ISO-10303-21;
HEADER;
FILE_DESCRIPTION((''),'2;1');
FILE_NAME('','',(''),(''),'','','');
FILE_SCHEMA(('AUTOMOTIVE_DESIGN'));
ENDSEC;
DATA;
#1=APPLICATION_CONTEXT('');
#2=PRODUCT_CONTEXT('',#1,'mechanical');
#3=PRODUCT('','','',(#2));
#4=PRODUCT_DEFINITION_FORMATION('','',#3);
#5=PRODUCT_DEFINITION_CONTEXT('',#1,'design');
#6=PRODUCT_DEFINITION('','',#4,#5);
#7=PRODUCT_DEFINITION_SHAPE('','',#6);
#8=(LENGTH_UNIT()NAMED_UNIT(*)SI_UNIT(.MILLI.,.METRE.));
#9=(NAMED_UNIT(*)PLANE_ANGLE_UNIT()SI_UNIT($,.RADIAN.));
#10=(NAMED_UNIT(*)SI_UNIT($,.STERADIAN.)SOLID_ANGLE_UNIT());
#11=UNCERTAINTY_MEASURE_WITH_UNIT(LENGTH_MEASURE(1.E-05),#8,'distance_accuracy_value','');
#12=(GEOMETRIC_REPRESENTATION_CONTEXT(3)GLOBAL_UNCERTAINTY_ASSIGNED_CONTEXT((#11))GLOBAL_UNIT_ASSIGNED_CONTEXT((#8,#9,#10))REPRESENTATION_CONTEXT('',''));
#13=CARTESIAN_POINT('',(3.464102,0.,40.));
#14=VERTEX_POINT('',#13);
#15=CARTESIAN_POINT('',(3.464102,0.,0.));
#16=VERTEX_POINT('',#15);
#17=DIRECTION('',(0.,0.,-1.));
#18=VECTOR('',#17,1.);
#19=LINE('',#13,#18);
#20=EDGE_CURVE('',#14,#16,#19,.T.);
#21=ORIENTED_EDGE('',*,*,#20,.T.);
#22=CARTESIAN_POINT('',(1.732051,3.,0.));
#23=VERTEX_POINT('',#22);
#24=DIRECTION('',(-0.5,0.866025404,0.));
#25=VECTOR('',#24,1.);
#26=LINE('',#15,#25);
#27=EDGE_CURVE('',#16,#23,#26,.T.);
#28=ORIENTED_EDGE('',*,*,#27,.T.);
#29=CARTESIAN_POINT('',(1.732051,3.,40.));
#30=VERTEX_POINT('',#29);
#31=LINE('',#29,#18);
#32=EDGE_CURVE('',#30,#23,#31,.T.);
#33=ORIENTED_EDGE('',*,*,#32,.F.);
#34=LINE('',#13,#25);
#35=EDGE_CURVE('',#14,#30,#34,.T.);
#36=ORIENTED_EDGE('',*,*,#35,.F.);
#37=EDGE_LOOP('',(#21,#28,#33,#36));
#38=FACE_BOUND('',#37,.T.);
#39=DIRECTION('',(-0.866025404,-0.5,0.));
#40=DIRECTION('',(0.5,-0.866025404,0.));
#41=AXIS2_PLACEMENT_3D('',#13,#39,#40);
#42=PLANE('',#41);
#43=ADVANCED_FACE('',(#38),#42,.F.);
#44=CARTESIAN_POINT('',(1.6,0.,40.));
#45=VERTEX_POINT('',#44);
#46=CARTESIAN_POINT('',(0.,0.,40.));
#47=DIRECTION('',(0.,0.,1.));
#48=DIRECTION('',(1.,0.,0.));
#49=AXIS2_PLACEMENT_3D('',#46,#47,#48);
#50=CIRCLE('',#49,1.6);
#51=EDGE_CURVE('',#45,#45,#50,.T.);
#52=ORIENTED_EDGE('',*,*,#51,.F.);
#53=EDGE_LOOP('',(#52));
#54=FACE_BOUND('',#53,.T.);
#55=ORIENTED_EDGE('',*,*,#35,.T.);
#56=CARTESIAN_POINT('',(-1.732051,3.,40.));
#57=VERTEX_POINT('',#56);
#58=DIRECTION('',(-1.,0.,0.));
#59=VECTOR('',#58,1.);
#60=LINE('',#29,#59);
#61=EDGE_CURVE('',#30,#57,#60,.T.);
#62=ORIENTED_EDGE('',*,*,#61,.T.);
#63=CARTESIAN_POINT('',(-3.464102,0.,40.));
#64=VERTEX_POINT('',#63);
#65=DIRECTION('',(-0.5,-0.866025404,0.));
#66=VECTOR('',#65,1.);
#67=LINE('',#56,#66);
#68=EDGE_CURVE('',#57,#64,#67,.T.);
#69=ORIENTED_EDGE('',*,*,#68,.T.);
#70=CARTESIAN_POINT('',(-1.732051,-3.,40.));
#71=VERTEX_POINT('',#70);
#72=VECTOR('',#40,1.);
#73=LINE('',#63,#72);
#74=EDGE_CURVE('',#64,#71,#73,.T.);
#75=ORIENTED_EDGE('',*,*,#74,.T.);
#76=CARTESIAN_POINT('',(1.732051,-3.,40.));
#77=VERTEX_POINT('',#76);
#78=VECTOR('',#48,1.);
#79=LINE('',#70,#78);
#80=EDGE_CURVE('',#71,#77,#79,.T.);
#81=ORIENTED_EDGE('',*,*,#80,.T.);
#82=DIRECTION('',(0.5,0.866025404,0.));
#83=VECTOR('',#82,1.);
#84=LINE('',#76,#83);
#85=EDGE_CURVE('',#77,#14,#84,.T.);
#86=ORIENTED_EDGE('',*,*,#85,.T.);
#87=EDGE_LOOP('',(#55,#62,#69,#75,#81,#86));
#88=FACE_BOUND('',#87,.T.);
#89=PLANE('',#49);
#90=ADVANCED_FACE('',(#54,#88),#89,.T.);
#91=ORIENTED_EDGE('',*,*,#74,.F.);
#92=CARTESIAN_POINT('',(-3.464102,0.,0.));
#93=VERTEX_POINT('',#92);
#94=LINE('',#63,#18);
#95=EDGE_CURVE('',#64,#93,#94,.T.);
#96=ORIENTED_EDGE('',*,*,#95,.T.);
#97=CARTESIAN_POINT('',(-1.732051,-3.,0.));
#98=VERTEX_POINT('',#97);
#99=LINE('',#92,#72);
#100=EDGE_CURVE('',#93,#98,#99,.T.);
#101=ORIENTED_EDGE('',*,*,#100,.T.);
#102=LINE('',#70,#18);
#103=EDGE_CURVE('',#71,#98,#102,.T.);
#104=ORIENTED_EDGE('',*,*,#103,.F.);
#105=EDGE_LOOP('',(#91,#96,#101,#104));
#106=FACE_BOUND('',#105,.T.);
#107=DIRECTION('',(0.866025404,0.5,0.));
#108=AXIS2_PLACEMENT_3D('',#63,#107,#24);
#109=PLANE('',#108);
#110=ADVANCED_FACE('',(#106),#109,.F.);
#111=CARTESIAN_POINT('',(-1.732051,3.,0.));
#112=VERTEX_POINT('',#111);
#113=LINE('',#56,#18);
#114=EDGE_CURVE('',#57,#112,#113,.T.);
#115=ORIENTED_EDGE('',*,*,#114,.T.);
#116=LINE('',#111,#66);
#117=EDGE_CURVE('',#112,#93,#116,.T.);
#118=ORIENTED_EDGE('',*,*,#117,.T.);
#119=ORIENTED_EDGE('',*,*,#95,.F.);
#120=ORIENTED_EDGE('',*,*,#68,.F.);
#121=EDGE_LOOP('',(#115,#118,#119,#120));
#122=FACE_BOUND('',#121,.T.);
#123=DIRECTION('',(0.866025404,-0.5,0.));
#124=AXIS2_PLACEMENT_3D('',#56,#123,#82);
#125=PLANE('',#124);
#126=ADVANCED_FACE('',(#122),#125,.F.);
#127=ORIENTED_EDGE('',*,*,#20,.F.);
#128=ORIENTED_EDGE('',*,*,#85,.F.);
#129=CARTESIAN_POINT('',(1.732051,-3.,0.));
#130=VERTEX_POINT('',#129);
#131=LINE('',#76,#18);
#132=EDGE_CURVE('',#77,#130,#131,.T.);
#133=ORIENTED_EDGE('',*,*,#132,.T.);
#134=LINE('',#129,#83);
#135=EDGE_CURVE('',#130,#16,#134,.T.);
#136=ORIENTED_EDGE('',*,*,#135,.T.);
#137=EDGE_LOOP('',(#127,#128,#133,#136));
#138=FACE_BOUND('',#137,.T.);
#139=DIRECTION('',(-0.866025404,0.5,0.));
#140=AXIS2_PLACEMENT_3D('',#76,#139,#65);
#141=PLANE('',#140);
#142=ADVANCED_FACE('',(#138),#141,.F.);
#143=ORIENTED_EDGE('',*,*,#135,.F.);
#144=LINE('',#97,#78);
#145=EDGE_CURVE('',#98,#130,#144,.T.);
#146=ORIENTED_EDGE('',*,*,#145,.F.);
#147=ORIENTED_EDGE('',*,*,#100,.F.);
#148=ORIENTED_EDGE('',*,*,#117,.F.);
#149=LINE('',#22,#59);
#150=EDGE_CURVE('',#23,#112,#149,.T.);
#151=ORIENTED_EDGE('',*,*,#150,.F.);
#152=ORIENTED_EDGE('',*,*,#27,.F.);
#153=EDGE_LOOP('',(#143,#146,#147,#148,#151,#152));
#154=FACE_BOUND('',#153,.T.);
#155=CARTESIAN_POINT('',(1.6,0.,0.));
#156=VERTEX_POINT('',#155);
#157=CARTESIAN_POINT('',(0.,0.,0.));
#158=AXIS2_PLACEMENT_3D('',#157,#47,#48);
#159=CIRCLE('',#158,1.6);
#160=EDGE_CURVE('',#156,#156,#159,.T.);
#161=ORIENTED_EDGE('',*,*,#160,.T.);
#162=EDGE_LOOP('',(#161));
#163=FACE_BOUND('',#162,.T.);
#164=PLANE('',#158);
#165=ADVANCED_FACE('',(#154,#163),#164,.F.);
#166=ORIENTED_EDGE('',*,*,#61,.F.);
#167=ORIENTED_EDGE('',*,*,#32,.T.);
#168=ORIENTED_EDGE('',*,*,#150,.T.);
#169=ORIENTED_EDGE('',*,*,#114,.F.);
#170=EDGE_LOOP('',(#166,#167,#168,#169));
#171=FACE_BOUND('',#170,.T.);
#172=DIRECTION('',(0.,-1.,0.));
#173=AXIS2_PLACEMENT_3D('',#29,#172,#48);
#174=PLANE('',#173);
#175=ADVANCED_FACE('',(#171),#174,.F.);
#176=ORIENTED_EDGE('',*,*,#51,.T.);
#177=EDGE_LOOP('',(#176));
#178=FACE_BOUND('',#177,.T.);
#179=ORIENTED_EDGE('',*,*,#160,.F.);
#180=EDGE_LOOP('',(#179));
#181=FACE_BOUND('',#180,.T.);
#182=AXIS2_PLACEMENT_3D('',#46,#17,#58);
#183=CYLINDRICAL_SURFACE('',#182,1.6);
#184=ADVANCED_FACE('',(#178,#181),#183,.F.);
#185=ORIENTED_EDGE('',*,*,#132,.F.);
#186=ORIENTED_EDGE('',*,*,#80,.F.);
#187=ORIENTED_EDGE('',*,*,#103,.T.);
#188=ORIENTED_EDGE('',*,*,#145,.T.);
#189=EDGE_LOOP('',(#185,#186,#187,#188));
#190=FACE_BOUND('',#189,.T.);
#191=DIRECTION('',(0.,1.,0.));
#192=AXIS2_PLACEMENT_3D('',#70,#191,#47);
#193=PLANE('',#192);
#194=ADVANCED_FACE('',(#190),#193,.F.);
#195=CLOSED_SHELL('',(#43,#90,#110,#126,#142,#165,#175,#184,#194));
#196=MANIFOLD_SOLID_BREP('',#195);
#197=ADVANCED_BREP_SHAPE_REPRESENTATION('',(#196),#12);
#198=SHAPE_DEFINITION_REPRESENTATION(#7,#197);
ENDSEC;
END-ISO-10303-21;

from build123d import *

# Parameters (mm, degrees)
SKETCH1_R           = 1.6
BOSS_EXTRUDE1_DEPTH = 40


with BuildPart() as part:
    # Sketch1 → Boss-Extrude1 (new body)
    with BuildSketch(Plane.XY):
        Polygon((1.732050808, -3), (3.464101615, 0), (1.732050808, 3), (-1.732050808, 3), (-3.464101615, 0), (-1.732050808, -3), align=None)
        Circle(SKETCH1_R, mode=Mode.SUBTRACT)
    extrude(amount=BOSS_EXTRUDE1_DEPTH)


solid = part.part
